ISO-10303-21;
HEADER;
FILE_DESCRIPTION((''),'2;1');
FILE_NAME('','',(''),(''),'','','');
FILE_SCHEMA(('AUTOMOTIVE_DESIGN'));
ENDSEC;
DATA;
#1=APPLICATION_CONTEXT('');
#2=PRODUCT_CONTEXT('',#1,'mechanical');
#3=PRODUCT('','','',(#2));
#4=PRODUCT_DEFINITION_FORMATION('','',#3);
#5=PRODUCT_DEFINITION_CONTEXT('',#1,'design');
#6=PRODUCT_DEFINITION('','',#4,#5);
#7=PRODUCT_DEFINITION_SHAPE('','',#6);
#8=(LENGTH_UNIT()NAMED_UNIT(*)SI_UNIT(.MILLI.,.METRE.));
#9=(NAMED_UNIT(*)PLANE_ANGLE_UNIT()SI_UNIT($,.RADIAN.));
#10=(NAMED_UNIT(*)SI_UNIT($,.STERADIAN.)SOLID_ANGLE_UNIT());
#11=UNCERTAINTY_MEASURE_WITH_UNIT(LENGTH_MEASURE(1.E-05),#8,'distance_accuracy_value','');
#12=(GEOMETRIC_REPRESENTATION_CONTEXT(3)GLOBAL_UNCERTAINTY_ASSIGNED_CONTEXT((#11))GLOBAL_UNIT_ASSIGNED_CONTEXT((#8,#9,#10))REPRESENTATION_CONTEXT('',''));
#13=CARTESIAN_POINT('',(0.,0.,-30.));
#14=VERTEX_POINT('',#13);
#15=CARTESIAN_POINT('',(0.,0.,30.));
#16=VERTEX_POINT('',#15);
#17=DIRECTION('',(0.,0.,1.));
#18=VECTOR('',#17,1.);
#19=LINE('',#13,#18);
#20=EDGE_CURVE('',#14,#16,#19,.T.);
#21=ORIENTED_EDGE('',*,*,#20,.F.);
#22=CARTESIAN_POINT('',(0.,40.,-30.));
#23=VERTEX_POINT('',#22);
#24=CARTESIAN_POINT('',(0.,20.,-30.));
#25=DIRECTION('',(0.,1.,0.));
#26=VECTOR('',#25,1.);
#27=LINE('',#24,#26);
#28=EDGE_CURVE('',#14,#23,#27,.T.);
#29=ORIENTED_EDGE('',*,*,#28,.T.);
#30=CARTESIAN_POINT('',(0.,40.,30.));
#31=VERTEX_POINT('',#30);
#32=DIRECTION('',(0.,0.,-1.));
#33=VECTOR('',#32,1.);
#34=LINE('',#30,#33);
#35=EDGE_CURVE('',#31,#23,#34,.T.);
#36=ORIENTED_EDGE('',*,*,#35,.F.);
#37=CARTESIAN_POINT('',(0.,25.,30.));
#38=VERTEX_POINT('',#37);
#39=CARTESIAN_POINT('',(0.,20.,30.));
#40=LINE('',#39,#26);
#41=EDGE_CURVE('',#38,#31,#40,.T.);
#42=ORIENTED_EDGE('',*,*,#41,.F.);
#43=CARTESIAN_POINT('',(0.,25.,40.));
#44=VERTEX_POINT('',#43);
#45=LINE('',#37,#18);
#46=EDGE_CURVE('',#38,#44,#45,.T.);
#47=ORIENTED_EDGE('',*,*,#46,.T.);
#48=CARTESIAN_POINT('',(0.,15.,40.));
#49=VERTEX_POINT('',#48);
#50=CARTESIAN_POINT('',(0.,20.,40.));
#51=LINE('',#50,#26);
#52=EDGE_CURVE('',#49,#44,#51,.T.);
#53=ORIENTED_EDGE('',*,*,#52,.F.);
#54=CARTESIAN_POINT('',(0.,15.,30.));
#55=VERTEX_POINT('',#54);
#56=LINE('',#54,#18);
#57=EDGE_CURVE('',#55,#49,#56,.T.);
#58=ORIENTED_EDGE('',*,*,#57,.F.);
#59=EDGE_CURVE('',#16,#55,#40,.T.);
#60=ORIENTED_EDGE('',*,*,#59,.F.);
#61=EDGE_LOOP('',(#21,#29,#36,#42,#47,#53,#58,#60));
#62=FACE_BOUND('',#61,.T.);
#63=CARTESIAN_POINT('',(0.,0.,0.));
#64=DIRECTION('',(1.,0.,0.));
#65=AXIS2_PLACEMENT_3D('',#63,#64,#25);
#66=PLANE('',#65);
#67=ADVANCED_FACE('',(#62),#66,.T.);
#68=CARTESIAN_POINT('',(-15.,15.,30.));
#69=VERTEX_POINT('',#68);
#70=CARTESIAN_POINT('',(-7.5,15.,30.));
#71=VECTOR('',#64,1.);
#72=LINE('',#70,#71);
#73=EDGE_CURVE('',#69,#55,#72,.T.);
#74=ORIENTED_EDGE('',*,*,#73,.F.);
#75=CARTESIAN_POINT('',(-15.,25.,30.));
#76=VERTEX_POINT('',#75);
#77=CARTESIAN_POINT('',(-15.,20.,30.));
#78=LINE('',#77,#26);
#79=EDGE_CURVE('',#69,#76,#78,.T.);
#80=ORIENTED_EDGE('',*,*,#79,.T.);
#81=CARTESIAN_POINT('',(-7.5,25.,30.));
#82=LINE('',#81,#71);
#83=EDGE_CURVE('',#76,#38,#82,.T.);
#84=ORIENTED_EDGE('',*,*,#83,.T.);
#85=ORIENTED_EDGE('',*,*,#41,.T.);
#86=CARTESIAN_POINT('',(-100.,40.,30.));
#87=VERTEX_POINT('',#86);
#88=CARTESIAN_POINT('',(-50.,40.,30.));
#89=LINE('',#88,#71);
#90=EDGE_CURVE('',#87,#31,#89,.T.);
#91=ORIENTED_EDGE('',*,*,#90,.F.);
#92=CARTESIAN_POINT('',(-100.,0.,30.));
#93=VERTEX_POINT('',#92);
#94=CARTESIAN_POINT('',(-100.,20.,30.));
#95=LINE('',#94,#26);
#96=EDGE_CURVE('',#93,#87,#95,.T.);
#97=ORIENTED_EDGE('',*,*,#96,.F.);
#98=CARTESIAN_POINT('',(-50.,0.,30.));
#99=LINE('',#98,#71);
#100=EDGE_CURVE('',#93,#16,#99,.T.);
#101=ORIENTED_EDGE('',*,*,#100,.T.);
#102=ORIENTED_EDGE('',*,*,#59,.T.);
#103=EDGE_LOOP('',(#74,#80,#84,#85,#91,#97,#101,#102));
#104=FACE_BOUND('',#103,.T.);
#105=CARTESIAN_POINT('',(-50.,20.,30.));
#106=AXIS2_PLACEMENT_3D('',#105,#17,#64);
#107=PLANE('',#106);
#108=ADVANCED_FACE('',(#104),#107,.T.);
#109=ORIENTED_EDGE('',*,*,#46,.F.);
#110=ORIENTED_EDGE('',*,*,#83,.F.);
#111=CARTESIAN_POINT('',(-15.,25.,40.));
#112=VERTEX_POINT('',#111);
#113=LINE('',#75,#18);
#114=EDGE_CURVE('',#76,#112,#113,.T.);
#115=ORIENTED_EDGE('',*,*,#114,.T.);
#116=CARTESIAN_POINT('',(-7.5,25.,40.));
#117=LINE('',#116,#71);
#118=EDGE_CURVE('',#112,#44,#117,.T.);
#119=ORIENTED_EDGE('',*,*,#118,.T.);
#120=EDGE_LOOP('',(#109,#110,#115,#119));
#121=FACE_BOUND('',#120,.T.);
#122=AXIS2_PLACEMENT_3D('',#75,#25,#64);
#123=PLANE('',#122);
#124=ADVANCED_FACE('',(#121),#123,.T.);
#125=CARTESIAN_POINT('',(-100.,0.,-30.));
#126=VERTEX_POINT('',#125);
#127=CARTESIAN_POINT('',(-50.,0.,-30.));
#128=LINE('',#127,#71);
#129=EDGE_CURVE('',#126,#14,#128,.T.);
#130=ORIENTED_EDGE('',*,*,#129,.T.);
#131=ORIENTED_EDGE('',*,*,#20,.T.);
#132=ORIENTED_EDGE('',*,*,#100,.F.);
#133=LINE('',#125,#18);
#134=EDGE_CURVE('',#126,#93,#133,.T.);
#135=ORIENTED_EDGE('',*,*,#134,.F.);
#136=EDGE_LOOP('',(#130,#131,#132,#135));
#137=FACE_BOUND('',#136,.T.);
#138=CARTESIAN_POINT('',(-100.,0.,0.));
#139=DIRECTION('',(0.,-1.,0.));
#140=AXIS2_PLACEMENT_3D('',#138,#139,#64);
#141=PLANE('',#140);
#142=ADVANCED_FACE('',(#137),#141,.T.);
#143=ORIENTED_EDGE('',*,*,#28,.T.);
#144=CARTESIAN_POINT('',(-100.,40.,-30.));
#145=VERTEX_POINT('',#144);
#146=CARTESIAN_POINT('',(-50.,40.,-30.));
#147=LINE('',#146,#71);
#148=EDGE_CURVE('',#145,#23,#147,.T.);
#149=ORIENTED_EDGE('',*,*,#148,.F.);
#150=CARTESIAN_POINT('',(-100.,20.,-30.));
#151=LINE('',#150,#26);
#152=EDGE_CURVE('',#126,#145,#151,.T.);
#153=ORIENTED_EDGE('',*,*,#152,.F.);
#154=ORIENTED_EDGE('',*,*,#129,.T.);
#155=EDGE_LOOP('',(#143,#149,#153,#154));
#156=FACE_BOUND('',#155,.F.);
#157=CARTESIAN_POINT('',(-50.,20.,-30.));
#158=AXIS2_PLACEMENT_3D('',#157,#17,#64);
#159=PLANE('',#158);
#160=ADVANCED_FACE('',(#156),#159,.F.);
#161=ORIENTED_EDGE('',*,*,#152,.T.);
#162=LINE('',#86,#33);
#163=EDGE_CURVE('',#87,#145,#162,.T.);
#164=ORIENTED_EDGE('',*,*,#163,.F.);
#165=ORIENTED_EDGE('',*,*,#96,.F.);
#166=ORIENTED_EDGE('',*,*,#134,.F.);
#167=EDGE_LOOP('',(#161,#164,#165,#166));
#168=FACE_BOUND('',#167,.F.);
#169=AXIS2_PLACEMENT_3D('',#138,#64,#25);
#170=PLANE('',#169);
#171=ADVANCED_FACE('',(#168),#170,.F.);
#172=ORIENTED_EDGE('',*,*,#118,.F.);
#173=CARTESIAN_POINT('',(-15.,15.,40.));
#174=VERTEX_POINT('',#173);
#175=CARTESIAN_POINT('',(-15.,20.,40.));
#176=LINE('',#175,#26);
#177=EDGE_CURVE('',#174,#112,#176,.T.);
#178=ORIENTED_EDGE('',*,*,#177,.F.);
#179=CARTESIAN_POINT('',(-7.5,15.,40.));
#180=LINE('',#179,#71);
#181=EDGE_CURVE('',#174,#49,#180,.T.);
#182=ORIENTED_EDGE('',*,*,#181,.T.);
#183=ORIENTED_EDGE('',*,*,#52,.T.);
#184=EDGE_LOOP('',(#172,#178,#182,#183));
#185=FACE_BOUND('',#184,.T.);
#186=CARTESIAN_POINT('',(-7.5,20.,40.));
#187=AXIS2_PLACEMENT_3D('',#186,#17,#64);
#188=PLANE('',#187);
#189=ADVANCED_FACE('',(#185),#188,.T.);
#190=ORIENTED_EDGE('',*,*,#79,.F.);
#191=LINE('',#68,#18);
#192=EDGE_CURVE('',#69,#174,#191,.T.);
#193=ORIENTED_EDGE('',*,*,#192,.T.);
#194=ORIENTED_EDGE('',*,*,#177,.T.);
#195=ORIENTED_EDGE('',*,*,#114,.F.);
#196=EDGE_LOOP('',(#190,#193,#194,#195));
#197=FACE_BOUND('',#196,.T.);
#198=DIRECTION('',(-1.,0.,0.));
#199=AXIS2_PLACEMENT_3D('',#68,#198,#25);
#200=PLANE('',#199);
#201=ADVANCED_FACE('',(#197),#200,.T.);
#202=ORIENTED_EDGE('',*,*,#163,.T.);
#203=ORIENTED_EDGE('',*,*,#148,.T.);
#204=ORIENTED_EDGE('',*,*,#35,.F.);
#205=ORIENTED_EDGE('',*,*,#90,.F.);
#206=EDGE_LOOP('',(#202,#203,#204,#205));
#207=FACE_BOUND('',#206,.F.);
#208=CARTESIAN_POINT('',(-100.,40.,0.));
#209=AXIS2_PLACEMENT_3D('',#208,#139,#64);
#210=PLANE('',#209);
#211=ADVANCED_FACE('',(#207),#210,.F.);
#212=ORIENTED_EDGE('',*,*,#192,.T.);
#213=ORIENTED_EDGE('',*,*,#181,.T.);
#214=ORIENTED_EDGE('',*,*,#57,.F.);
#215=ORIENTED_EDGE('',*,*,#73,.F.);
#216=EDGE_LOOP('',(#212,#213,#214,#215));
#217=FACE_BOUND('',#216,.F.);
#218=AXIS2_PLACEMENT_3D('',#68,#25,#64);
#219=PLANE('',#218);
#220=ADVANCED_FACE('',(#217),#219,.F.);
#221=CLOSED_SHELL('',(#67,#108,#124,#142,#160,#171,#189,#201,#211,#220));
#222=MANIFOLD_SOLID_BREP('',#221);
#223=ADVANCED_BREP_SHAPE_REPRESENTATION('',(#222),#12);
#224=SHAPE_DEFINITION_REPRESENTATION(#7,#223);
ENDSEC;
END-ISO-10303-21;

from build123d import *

# Parameters (mm, degrees)
F0_W     = 100
F0_H     = 40
F1_DEPTH = 30
F2_W     = 15
F2_H     = 10
F3_DEPTH = 10


with BuildPart() as f1:
    # F0 (on Top) → F1 (new body, symmetric)
    with BuildSketch(Plane.XY):
        with Locations((-50, 20)):
            Rectangle(F0_W, F0_H)
    extrude(amount=F1_DEPTH, both=True)

    # F2 (on face) → F3 (join)
    with BuildSketch(Plane.XY.offset(30)):
        with Locations((-7.5, 20)):
            Rectangle(F2_W, F2_H)
    extrude(amount=F3_DEPTH)


solid = f1.part
